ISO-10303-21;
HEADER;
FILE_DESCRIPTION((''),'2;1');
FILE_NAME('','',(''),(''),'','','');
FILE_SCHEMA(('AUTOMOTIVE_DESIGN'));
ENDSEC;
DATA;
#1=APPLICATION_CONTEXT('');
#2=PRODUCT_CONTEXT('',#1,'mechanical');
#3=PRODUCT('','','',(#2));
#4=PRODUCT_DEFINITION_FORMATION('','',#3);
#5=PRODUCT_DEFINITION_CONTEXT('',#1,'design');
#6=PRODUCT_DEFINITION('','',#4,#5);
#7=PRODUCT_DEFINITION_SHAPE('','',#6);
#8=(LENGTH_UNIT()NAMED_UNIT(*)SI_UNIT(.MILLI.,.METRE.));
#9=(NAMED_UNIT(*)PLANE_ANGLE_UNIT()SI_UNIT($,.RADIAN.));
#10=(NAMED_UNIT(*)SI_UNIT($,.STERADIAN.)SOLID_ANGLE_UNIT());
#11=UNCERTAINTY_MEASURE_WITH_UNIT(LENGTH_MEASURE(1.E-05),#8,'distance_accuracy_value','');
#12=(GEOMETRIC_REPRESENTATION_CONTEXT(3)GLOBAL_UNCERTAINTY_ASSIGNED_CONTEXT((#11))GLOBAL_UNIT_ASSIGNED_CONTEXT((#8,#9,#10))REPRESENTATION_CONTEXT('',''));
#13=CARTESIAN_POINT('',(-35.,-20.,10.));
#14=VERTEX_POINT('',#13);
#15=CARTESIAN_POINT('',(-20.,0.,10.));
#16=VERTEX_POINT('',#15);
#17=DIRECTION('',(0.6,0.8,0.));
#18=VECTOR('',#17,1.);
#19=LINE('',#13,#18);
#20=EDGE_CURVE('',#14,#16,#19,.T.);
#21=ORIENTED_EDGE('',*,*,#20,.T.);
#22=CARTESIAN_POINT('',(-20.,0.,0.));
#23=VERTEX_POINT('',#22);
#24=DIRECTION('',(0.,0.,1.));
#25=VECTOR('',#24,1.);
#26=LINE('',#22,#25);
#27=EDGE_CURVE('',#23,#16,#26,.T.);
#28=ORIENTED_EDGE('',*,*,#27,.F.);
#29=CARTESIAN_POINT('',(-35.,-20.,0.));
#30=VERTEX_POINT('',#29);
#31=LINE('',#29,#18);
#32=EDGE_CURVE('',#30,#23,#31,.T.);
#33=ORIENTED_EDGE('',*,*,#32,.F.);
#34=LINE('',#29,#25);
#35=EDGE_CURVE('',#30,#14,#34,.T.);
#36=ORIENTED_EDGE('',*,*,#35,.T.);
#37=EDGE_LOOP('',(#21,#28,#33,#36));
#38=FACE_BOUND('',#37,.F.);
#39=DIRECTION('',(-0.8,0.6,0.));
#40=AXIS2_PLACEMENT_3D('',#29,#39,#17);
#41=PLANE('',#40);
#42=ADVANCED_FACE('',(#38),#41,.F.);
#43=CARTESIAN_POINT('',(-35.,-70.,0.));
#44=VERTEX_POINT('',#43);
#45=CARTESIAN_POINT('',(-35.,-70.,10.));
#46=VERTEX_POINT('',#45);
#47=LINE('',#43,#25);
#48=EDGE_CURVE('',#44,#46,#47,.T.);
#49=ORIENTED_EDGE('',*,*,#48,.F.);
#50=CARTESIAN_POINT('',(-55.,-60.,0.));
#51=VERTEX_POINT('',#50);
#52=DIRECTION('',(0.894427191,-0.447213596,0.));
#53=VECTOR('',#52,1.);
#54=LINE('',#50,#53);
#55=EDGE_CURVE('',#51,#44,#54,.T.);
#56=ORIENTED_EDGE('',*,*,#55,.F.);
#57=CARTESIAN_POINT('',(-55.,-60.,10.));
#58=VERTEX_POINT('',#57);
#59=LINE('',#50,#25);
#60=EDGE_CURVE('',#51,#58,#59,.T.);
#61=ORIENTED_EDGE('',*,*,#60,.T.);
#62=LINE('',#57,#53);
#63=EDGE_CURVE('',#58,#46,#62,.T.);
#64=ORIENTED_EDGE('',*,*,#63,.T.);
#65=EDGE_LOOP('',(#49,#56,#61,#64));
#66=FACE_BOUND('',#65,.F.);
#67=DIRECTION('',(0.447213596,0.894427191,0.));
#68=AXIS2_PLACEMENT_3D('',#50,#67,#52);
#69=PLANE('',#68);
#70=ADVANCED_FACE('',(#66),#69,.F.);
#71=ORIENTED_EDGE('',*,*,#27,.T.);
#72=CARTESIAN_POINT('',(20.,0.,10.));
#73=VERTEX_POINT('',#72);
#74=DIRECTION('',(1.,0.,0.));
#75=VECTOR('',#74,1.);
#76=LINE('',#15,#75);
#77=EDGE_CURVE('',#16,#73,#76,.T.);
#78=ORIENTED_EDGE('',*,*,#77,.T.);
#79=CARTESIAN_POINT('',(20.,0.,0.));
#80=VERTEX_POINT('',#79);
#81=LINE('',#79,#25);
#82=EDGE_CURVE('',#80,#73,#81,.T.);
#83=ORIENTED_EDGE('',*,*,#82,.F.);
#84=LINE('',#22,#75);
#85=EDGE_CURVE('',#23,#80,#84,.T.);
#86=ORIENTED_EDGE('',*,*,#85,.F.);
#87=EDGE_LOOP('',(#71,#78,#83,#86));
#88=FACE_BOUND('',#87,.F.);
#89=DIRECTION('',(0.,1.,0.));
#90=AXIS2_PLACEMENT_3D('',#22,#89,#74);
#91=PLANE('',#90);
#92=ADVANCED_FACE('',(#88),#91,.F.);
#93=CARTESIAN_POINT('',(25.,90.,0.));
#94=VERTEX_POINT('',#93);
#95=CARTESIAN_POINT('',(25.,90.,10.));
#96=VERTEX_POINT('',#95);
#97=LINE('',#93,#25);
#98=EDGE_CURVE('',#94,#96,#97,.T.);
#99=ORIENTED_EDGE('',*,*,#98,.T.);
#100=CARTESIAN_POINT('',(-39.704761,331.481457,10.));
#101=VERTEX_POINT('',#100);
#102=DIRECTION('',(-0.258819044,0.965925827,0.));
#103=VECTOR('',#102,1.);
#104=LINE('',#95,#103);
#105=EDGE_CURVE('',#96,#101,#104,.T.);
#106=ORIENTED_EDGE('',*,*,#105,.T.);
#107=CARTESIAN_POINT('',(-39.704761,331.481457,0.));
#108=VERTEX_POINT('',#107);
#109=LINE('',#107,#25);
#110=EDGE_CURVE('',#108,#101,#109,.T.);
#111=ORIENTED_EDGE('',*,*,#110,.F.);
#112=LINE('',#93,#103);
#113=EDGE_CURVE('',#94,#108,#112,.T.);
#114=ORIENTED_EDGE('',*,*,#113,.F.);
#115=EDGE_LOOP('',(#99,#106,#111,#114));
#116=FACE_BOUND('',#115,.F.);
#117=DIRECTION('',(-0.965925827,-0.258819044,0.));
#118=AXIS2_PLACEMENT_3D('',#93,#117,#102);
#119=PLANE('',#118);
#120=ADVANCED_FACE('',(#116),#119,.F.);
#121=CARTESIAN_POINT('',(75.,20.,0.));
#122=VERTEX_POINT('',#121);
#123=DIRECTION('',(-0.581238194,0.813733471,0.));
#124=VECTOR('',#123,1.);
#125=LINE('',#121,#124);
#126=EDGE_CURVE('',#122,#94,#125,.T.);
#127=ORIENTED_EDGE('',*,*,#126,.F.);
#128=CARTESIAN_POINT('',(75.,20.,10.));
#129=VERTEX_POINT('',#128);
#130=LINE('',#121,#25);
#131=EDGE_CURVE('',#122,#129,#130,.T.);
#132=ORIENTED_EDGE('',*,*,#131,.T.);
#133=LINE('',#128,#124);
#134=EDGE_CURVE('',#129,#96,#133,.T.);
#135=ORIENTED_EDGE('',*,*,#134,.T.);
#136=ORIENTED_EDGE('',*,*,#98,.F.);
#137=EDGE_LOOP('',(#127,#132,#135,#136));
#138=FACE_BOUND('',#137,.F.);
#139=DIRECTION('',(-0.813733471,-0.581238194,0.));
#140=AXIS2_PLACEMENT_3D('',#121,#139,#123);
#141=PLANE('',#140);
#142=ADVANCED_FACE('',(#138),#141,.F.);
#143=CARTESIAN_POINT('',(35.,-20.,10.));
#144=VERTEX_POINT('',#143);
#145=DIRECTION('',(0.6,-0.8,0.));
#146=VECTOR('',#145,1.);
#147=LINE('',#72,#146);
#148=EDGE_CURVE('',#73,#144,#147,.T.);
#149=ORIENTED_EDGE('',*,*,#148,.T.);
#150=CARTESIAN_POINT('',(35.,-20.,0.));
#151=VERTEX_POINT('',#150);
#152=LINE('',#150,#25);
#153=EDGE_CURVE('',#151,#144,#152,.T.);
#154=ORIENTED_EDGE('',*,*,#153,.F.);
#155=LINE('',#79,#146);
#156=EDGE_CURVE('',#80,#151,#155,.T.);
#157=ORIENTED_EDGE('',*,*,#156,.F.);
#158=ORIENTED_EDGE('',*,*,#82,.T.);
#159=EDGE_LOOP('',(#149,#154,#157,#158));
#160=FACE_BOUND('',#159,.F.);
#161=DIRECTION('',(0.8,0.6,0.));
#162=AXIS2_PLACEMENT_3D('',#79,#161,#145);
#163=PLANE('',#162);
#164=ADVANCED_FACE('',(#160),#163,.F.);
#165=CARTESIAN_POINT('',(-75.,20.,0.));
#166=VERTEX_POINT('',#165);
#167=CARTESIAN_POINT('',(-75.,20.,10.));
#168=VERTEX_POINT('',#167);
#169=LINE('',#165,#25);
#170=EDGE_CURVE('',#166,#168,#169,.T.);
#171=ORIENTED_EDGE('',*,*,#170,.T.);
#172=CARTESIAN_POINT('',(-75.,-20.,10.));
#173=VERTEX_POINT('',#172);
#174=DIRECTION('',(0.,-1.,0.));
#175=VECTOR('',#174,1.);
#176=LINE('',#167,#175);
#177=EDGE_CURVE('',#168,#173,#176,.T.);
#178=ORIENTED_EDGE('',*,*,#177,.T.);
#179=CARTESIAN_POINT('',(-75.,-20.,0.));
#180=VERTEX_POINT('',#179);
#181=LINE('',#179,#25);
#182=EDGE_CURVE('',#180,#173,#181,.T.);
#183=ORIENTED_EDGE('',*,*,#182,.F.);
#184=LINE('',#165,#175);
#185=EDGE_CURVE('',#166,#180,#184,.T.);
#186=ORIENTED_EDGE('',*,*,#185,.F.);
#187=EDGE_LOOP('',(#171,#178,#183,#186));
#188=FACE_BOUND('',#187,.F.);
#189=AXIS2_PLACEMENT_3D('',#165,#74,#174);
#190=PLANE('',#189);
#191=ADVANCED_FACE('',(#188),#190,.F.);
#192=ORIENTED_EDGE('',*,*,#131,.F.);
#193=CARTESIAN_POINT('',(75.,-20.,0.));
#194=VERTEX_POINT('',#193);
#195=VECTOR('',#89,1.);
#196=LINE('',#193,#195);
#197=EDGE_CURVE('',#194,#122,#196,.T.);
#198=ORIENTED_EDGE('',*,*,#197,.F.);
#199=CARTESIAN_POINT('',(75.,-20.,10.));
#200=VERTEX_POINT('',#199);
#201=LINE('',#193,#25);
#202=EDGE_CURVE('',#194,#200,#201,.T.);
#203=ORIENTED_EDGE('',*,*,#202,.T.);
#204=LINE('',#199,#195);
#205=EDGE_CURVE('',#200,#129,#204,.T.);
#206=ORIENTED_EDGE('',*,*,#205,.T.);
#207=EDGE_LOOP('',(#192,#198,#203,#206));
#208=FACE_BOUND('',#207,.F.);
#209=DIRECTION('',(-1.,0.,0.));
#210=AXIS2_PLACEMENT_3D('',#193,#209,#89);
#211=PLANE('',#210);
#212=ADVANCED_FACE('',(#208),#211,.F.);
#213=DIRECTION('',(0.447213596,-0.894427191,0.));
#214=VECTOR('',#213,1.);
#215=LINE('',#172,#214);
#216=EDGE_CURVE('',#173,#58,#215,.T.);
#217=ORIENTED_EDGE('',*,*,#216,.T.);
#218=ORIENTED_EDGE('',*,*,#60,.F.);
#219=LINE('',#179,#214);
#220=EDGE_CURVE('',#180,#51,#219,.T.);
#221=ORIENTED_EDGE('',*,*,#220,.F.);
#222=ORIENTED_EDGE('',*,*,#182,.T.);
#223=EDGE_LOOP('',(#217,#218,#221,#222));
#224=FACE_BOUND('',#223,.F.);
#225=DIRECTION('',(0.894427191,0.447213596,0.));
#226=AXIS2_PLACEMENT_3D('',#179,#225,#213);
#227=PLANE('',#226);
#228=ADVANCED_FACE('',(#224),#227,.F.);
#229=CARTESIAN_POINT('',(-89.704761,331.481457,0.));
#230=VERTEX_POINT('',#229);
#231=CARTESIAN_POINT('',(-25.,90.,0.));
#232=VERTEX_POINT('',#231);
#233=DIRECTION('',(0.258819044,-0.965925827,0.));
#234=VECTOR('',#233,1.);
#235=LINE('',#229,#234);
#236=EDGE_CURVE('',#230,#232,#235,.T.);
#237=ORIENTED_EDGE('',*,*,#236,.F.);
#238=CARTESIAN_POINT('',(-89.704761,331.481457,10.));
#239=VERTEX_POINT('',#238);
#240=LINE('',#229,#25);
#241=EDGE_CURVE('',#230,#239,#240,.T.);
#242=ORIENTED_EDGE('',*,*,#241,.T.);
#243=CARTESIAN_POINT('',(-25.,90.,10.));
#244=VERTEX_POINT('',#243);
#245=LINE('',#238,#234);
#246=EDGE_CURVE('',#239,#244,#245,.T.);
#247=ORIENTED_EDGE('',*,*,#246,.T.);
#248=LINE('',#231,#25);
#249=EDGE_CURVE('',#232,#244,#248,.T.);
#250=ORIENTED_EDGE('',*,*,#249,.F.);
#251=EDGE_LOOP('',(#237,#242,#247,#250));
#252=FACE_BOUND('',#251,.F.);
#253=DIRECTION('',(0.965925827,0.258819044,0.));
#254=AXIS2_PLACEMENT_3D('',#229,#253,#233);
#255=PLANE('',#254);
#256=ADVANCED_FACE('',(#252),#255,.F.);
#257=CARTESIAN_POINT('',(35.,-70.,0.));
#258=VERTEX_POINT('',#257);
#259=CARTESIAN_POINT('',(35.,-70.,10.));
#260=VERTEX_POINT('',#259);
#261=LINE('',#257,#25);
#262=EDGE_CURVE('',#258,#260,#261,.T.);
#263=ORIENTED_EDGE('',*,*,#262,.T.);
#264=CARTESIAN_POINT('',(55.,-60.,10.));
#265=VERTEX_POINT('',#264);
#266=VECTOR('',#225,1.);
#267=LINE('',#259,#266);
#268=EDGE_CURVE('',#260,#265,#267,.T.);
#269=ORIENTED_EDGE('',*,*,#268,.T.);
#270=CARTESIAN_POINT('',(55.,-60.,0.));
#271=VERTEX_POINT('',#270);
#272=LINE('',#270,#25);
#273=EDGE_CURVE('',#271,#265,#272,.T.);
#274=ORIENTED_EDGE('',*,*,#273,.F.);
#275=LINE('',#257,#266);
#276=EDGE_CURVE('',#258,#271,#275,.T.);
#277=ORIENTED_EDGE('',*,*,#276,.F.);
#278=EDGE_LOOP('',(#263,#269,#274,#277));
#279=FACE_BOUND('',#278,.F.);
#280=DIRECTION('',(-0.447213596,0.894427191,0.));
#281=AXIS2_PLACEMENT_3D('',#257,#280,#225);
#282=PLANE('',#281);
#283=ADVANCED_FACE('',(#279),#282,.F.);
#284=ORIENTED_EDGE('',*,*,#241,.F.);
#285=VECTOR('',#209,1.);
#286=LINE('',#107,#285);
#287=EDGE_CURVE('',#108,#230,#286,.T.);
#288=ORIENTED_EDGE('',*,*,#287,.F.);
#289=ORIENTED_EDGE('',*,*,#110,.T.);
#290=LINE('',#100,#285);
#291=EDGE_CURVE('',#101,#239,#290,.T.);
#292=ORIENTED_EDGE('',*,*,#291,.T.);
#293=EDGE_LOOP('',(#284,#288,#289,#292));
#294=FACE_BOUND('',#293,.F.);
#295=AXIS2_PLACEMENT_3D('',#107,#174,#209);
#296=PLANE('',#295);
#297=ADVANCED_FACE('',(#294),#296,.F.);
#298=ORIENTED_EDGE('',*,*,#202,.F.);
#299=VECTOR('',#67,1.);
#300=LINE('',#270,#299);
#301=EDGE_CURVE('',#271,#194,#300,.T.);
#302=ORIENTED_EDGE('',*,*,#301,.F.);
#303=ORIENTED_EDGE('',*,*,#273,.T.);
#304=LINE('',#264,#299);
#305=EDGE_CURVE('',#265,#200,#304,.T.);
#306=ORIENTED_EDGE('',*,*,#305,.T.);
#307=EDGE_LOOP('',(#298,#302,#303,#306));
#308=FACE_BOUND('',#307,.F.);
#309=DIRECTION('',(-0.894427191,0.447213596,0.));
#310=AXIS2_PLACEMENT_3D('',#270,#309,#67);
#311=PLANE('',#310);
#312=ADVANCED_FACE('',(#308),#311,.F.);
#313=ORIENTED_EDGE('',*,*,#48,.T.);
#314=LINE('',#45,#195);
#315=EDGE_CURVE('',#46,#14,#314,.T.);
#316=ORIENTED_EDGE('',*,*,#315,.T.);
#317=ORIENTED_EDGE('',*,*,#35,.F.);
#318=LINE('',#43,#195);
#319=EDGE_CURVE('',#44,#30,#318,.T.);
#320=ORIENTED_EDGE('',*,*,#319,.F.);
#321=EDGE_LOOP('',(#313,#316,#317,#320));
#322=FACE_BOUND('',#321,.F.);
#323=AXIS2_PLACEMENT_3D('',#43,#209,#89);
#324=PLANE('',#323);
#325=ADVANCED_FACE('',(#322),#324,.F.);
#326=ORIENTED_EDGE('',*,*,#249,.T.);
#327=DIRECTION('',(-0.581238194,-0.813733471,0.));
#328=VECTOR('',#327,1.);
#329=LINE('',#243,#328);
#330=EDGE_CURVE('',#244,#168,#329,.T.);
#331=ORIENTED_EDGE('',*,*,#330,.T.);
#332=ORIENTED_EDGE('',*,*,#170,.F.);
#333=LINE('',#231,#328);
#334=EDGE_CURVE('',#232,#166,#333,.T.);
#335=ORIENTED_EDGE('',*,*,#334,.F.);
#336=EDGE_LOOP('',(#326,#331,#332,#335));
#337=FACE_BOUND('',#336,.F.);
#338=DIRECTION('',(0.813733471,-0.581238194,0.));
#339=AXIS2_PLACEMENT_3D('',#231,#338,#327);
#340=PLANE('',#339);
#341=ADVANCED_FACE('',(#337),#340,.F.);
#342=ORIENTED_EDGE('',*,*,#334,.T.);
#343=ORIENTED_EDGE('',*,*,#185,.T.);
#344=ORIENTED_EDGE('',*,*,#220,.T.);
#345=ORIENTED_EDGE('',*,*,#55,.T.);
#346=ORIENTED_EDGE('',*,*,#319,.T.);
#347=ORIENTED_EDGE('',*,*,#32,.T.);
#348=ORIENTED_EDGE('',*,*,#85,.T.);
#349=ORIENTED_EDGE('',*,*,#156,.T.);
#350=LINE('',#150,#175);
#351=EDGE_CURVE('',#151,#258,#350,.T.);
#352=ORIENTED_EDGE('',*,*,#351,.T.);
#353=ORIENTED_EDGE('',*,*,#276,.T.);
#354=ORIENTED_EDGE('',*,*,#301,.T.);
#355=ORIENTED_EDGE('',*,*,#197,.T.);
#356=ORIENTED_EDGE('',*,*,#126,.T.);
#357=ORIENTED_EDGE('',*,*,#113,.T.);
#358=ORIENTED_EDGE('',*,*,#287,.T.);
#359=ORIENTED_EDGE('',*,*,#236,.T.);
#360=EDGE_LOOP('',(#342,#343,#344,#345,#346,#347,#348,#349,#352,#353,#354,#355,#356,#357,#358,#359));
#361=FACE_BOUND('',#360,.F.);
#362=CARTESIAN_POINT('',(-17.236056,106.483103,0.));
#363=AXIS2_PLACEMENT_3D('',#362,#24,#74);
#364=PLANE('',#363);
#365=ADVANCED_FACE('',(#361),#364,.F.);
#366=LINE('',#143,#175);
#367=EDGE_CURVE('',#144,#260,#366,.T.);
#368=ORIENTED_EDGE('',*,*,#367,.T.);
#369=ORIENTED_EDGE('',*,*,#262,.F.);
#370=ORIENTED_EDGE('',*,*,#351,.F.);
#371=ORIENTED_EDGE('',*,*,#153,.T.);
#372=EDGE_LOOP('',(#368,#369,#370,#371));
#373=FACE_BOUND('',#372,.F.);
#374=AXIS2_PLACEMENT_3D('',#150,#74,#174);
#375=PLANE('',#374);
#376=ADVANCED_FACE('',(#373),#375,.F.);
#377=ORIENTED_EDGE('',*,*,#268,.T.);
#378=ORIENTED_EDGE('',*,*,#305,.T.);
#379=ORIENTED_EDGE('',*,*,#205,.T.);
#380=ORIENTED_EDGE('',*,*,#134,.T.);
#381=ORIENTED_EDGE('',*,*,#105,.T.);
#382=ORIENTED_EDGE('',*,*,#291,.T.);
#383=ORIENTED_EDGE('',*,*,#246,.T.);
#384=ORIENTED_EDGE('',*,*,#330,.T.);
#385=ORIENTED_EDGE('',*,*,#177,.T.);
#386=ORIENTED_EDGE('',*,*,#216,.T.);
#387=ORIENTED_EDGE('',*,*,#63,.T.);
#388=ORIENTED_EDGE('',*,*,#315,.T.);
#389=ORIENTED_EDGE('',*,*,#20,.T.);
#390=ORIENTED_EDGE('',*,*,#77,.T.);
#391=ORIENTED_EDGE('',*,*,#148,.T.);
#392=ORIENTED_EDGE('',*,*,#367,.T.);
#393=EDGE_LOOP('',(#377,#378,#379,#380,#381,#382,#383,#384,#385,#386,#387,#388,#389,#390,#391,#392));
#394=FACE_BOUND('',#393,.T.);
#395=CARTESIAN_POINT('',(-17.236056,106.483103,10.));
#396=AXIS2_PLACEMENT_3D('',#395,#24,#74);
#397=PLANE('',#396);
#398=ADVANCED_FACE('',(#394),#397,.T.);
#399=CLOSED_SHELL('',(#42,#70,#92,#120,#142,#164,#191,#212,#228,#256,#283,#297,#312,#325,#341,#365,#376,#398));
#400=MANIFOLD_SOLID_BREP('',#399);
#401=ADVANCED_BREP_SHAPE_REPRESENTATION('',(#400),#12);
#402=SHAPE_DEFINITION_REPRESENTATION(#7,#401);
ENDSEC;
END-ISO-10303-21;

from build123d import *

# Parameters (mm, degrees)
F1_DEPTH = 10


with BuildPart() as f1:
    # F0 (on Top) → F1 (new body)
    with BuildSketch(Plane.XY):
        Polygon((-35, -20), (-20, 0), (20, 0), (35, -20), (35, -70), (55, -60), (75, -20), (75, 20), (25, 90), (-39.704761, 331.481457), (-89.704761, 331.481457), (-25, 90), (-75, 20), (-75, -20), (-55, -60), (-35, -70), align=None)
    extrude(amount=F1_DEPTH)


solid = f1.part
